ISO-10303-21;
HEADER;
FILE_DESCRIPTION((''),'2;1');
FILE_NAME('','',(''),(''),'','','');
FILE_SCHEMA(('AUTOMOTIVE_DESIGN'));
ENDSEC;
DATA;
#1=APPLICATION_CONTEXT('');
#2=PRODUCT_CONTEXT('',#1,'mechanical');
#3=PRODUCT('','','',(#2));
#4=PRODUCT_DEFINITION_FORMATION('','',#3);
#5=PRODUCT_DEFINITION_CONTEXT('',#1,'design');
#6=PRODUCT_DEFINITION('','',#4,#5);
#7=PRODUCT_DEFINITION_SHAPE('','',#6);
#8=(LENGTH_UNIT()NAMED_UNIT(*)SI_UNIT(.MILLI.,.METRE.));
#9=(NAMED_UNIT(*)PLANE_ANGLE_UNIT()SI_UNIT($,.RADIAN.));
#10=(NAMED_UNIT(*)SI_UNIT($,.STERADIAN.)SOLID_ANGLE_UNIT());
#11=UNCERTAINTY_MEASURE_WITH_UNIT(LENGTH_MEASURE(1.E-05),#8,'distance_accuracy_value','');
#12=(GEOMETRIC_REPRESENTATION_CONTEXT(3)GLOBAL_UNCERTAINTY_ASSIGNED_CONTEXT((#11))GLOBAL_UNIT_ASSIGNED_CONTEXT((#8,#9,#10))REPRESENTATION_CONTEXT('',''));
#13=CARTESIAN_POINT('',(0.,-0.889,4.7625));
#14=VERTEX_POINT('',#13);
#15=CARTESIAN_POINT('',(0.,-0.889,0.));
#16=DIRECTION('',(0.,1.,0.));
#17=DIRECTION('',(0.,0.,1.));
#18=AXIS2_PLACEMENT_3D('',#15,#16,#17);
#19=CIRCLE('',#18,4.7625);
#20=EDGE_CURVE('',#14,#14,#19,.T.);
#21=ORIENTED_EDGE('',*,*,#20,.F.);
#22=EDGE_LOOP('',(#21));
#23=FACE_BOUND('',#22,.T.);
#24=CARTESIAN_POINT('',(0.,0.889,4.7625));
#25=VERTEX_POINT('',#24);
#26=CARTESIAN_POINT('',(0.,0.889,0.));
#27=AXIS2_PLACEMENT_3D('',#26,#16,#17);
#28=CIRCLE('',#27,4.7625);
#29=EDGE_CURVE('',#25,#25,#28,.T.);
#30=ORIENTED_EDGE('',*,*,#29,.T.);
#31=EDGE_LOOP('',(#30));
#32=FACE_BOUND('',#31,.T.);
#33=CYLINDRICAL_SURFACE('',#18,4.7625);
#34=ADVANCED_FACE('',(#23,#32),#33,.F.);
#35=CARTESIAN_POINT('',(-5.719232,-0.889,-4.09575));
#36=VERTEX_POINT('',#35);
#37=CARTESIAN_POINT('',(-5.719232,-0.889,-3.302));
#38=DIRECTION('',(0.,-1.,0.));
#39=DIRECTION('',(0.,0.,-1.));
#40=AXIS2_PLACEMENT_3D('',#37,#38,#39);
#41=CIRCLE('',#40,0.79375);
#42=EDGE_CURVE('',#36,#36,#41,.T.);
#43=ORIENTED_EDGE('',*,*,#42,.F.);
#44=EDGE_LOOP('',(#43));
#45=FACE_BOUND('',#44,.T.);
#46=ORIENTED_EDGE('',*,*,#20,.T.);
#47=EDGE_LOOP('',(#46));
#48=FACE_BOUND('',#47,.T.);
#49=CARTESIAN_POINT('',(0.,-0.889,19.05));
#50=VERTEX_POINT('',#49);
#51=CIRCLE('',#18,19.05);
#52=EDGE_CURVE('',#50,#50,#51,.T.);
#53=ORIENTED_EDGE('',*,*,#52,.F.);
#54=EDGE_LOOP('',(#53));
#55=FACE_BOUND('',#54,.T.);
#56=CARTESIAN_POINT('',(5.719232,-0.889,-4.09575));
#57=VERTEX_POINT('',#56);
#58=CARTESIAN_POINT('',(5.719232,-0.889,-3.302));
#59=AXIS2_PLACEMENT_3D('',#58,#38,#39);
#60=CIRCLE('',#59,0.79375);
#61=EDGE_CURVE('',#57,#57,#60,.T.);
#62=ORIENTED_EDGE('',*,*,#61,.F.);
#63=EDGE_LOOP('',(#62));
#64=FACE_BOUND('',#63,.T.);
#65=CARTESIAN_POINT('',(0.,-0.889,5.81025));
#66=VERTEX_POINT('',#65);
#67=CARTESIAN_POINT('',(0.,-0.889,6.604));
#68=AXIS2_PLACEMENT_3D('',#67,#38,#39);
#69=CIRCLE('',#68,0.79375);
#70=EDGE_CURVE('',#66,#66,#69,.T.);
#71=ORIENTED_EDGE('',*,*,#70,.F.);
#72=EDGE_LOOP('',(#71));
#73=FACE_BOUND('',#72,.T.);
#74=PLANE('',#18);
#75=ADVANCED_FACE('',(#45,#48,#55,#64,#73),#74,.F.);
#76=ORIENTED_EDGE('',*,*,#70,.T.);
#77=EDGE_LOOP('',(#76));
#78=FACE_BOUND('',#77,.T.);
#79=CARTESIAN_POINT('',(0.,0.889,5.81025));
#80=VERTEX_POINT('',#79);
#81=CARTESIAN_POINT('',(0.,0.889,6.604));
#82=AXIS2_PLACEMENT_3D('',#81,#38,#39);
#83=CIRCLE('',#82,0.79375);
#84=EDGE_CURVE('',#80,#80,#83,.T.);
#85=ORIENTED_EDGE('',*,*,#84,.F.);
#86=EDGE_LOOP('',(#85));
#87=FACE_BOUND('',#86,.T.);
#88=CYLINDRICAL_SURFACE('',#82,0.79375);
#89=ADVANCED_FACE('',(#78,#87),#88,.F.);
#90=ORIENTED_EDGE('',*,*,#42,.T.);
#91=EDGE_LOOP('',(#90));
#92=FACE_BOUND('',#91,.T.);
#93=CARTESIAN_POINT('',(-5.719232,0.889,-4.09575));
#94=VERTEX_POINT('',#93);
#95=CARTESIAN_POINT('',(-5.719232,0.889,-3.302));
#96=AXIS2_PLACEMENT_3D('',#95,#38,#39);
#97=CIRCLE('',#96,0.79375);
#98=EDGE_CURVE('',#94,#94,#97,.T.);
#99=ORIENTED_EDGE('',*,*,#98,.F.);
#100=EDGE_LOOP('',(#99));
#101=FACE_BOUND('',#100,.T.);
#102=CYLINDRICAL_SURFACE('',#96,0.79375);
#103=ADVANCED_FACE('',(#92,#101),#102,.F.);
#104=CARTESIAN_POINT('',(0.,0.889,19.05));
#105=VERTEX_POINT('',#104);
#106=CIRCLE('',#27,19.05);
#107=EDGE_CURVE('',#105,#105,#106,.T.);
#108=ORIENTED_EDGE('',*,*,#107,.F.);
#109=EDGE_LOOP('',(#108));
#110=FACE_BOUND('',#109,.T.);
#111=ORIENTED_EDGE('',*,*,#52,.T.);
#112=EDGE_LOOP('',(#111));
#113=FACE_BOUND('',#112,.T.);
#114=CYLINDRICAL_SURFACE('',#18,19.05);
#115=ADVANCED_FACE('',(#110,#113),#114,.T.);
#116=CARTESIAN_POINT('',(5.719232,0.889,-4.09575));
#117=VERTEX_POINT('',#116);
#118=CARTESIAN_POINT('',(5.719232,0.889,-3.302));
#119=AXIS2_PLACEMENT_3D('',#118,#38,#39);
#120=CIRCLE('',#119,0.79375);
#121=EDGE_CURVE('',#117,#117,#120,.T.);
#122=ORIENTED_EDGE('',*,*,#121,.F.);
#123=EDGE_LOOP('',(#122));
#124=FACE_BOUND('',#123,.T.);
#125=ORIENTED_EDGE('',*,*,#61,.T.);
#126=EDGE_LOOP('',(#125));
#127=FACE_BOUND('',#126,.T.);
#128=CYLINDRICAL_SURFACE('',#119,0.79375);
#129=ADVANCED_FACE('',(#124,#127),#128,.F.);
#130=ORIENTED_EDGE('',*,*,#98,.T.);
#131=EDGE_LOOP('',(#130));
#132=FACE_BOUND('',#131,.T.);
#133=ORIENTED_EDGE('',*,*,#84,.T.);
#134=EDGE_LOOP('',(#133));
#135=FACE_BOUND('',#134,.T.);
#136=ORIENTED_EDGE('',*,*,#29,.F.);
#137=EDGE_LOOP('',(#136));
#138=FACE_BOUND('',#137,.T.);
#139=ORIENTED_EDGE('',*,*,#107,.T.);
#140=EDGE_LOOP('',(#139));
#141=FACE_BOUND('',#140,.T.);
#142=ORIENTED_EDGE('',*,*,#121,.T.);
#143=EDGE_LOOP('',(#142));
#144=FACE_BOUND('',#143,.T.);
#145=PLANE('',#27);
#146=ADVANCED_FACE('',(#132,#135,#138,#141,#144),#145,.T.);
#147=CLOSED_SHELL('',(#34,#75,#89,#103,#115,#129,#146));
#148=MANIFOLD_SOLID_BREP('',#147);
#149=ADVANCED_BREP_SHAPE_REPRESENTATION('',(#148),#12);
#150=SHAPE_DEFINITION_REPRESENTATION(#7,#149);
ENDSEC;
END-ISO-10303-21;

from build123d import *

# Parameters (mm, degrees)
BOSS_EXTRUDE1_DEPTH      = 0.889
BOSS_EXTRUDE1_DEPTH_BACK = 0.889
SKETCH2_R                = 19.05
SKETCH4_R                = 4.7625
CUT_EXTRUDE1_DEPTH       = 27.999375622
SKETCH5_R                = 0.79375
CUT_EXTRUDE2_DEPTH       = 27.999375622


with BuildPart() as part:
    # Sketch2 → Boss-Extrude1 (new, two sides: drawn at the far end of the back side and taken through both)
    with BuildSketch(Plane(origin=(0, 0, 0), x_dir=(1, 0, 0), z_dir=(0, 1, 0)).offset(-BOSS_EXTRUDE1_DEPTH_BACK)):
        Circle(SKETCH2_R)
    extrude(amount=BOSS_EXTRUDE1_DEPTH + BOSS_EXTRUDE1_DEPTH_BACK)

    # Sketch4 → Cut-Extrude1 (cut, through all)
    with BuildSketch(Plane(origin=(0, 0.889, 0), x_dir=(1, 0, 0), z_dir=(0, 1, 0))):
        Circle(SKETCH4_R)
    extrude(amount=-CUT_EXTRUDE1_DEPTH, mode=Mode.SUBTRACT)

    # Sketch5 → Cut-Extrude2 (cut, through all)
    with BuildSketch(Plane.XZ.offset(0.889)):
        with Locations((0, 6.604)):
            Circle(SKETCH5_R)
        with Locations((5.719231767, -3.302)):
            Circle(SKETCH5_R)
        with Locations((-5.719231767, -3.302)):
            Circle(SKETCH5_R)
    extrude(amount=-CUT_EXTRUDE2_DEPTH, mode=Mode.SUBTRACT)


solid = part.part
